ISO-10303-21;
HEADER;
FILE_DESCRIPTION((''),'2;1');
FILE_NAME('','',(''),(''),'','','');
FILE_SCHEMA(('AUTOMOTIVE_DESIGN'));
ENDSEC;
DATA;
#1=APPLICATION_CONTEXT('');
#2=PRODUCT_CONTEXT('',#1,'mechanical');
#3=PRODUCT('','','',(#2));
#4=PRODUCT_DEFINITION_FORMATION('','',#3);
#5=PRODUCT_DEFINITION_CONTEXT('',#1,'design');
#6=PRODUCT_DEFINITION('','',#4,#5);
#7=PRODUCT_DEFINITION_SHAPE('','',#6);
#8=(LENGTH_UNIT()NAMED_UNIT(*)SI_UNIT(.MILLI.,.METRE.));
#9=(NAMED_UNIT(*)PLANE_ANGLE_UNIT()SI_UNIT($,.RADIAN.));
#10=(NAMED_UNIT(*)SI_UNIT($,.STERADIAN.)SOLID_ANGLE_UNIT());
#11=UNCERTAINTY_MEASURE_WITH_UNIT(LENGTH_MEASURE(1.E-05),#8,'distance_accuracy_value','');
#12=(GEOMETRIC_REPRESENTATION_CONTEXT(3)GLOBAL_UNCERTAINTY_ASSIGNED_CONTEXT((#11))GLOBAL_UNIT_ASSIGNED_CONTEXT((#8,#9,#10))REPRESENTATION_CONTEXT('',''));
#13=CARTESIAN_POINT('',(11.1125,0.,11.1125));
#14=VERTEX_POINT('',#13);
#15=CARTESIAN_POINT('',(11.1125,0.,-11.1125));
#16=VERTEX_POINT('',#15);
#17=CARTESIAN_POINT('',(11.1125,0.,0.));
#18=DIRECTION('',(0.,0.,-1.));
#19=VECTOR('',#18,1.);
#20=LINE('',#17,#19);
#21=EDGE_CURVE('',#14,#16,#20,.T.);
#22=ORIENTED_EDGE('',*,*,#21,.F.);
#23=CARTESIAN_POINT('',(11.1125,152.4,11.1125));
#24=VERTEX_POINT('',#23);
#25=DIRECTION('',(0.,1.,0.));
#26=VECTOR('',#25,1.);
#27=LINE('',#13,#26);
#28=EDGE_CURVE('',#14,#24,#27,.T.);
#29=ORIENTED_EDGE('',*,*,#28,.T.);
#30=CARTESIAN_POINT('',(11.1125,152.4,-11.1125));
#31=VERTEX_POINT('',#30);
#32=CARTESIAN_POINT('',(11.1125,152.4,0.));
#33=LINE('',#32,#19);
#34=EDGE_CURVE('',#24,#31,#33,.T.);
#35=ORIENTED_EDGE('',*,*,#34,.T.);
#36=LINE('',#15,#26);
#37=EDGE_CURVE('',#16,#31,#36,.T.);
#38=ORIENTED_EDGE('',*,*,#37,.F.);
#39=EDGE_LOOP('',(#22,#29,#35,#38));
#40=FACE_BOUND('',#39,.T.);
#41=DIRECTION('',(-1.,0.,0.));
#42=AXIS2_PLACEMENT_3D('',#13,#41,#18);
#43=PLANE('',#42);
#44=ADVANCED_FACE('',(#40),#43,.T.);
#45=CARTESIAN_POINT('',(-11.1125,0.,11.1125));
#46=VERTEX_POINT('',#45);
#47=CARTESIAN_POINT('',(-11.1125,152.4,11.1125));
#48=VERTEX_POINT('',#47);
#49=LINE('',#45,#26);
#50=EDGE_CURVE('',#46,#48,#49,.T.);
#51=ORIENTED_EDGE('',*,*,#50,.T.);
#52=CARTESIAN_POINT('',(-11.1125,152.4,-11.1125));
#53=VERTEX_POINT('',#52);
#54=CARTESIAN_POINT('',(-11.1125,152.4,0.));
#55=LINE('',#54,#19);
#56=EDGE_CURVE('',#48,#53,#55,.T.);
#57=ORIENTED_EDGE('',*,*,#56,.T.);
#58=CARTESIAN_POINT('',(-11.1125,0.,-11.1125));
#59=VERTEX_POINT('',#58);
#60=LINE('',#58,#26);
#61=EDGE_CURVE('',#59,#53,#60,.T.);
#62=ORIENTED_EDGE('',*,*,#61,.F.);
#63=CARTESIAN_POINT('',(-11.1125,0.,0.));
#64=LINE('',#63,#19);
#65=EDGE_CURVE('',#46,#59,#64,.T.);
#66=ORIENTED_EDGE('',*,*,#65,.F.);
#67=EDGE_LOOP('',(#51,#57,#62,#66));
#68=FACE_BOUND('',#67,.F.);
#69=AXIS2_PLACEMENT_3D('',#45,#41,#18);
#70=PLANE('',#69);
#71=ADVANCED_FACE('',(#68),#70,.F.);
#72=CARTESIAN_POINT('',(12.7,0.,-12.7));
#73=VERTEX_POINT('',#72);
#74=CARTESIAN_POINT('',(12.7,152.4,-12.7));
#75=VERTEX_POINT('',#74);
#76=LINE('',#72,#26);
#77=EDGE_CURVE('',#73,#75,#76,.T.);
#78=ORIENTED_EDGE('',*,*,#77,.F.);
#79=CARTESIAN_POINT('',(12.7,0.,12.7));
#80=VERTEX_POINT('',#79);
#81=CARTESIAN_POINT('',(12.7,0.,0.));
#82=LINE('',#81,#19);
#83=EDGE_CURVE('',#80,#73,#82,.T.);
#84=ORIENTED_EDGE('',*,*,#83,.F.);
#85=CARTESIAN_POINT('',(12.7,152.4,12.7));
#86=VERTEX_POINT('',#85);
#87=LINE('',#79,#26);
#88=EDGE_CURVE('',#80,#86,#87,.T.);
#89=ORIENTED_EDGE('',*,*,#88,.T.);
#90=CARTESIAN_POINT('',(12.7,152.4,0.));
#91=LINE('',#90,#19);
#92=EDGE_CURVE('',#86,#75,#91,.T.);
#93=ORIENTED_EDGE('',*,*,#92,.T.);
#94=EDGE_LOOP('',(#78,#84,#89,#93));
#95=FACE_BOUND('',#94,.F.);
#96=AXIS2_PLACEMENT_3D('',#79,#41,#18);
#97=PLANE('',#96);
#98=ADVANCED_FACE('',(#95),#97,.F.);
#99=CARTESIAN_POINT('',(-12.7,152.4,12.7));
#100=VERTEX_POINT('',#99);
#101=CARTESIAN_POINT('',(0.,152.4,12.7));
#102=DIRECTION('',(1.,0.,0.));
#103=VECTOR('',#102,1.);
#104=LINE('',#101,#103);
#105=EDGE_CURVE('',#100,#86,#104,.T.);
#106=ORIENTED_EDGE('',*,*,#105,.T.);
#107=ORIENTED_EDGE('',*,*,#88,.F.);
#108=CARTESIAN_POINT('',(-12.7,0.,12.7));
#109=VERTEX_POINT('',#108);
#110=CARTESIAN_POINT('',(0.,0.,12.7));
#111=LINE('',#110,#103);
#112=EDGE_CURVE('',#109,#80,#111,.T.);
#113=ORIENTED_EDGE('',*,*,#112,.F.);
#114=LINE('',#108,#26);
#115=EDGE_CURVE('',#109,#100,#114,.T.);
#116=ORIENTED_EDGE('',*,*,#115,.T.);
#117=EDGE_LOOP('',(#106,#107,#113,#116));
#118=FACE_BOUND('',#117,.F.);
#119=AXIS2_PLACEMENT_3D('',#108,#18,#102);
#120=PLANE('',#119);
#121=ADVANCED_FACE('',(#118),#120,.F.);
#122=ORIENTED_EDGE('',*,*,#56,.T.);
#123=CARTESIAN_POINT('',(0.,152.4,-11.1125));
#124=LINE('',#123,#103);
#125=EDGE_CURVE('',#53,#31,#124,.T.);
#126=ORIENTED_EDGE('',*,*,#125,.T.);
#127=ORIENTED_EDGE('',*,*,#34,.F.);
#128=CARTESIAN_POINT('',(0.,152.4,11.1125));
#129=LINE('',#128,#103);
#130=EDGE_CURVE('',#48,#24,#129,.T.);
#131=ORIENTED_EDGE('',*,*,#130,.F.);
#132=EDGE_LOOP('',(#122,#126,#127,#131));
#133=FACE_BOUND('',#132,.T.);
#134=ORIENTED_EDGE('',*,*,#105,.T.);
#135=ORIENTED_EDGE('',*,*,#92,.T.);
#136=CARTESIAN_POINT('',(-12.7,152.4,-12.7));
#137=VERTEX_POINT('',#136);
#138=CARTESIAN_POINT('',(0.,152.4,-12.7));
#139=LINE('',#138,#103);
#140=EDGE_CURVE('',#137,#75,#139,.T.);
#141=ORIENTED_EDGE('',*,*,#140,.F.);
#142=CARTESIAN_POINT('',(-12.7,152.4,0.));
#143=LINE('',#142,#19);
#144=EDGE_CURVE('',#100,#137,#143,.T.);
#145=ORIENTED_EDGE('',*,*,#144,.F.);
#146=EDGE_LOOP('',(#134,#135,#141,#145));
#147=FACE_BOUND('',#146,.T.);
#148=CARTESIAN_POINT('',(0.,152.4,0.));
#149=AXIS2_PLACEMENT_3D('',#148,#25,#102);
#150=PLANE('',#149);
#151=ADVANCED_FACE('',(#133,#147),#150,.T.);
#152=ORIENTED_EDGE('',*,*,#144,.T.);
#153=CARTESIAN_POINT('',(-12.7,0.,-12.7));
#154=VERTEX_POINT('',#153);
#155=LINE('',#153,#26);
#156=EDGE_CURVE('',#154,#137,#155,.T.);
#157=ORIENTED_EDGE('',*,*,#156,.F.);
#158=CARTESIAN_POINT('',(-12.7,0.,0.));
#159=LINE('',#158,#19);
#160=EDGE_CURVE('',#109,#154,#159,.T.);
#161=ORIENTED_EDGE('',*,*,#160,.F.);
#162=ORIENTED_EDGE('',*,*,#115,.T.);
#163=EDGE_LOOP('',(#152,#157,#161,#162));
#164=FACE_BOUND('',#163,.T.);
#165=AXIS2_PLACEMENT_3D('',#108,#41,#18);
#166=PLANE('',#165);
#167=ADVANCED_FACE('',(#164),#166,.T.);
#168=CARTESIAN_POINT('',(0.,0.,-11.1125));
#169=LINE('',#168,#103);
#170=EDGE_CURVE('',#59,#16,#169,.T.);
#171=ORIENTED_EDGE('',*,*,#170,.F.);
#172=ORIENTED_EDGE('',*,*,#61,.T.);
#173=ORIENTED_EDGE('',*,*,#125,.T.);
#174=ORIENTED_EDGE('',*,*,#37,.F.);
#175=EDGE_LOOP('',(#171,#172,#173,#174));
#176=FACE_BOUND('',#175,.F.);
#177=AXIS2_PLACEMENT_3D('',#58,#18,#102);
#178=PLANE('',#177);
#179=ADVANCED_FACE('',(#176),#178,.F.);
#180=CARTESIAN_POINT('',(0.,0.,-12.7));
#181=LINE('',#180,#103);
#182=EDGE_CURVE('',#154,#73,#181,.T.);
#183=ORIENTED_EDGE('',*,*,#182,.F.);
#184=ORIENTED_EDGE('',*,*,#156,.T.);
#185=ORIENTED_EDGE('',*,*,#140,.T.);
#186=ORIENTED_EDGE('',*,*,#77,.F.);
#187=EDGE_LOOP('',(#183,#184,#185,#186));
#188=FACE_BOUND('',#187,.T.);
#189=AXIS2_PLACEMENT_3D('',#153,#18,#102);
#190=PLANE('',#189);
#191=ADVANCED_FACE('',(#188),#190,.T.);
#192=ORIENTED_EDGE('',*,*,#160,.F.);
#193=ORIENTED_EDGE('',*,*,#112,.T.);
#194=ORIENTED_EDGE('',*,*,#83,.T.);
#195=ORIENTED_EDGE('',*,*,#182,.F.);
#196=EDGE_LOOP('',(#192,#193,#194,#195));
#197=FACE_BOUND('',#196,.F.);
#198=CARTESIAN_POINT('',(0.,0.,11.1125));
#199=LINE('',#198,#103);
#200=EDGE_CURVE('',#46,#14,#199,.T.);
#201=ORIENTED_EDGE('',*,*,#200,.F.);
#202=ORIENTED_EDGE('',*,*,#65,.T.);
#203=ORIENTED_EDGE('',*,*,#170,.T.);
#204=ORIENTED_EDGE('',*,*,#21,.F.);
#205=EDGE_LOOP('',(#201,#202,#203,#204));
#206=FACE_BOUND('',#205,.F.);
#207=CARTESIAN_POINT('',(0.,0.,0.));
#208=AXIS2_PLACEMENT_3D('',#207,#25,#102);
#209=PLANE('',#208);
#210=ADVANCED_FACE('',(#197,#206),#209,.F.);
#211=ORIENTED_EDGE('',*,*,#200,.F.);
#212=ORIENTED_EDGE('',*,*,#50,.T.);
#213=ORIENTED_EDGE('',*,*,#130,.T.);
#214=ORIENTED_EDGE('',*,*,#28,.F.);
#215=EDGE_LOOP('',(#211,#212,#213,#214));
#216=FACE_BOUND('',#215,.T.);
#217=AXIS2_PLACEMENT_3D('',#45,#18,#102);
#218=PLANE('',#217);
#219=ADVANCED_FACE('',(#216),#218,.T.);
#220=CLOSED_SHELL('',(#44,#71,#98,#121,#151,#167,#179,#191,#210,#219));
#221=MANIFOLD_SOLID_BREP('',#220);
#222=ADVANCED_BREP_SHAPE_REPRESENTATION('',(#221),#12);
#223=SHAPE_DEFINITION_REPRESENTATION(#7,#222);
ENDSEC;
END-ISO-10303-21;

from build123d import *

# Parameters (mm, degrees)
SKETCH1_W           = 25.4
SKETCH1_H           = 25.4
SKETCH1_W_2         = 22.225
SKETCH1_H_2         = 22.225
BOSS_EXTRUDE1_DEPTH = 152.4


with BuildPart() as part:
    # Sketch1 → Boss-Extrude1 (new body)
    with BuildSketch(Plane(origin=(0, 0, 0), x_dir=(1, 0, 0), z_dir=(0, 1, 0))):
        Rectangle(SKETCH1_W, SKETCH1_H)
        Rectangle(SKETCH1_W_2, SKETCH1_H_2, mode=Mode.SUBTRACT)
    extrude(amount=BOSS_EXTRUDE1_DEPTH)


solid = part.part
